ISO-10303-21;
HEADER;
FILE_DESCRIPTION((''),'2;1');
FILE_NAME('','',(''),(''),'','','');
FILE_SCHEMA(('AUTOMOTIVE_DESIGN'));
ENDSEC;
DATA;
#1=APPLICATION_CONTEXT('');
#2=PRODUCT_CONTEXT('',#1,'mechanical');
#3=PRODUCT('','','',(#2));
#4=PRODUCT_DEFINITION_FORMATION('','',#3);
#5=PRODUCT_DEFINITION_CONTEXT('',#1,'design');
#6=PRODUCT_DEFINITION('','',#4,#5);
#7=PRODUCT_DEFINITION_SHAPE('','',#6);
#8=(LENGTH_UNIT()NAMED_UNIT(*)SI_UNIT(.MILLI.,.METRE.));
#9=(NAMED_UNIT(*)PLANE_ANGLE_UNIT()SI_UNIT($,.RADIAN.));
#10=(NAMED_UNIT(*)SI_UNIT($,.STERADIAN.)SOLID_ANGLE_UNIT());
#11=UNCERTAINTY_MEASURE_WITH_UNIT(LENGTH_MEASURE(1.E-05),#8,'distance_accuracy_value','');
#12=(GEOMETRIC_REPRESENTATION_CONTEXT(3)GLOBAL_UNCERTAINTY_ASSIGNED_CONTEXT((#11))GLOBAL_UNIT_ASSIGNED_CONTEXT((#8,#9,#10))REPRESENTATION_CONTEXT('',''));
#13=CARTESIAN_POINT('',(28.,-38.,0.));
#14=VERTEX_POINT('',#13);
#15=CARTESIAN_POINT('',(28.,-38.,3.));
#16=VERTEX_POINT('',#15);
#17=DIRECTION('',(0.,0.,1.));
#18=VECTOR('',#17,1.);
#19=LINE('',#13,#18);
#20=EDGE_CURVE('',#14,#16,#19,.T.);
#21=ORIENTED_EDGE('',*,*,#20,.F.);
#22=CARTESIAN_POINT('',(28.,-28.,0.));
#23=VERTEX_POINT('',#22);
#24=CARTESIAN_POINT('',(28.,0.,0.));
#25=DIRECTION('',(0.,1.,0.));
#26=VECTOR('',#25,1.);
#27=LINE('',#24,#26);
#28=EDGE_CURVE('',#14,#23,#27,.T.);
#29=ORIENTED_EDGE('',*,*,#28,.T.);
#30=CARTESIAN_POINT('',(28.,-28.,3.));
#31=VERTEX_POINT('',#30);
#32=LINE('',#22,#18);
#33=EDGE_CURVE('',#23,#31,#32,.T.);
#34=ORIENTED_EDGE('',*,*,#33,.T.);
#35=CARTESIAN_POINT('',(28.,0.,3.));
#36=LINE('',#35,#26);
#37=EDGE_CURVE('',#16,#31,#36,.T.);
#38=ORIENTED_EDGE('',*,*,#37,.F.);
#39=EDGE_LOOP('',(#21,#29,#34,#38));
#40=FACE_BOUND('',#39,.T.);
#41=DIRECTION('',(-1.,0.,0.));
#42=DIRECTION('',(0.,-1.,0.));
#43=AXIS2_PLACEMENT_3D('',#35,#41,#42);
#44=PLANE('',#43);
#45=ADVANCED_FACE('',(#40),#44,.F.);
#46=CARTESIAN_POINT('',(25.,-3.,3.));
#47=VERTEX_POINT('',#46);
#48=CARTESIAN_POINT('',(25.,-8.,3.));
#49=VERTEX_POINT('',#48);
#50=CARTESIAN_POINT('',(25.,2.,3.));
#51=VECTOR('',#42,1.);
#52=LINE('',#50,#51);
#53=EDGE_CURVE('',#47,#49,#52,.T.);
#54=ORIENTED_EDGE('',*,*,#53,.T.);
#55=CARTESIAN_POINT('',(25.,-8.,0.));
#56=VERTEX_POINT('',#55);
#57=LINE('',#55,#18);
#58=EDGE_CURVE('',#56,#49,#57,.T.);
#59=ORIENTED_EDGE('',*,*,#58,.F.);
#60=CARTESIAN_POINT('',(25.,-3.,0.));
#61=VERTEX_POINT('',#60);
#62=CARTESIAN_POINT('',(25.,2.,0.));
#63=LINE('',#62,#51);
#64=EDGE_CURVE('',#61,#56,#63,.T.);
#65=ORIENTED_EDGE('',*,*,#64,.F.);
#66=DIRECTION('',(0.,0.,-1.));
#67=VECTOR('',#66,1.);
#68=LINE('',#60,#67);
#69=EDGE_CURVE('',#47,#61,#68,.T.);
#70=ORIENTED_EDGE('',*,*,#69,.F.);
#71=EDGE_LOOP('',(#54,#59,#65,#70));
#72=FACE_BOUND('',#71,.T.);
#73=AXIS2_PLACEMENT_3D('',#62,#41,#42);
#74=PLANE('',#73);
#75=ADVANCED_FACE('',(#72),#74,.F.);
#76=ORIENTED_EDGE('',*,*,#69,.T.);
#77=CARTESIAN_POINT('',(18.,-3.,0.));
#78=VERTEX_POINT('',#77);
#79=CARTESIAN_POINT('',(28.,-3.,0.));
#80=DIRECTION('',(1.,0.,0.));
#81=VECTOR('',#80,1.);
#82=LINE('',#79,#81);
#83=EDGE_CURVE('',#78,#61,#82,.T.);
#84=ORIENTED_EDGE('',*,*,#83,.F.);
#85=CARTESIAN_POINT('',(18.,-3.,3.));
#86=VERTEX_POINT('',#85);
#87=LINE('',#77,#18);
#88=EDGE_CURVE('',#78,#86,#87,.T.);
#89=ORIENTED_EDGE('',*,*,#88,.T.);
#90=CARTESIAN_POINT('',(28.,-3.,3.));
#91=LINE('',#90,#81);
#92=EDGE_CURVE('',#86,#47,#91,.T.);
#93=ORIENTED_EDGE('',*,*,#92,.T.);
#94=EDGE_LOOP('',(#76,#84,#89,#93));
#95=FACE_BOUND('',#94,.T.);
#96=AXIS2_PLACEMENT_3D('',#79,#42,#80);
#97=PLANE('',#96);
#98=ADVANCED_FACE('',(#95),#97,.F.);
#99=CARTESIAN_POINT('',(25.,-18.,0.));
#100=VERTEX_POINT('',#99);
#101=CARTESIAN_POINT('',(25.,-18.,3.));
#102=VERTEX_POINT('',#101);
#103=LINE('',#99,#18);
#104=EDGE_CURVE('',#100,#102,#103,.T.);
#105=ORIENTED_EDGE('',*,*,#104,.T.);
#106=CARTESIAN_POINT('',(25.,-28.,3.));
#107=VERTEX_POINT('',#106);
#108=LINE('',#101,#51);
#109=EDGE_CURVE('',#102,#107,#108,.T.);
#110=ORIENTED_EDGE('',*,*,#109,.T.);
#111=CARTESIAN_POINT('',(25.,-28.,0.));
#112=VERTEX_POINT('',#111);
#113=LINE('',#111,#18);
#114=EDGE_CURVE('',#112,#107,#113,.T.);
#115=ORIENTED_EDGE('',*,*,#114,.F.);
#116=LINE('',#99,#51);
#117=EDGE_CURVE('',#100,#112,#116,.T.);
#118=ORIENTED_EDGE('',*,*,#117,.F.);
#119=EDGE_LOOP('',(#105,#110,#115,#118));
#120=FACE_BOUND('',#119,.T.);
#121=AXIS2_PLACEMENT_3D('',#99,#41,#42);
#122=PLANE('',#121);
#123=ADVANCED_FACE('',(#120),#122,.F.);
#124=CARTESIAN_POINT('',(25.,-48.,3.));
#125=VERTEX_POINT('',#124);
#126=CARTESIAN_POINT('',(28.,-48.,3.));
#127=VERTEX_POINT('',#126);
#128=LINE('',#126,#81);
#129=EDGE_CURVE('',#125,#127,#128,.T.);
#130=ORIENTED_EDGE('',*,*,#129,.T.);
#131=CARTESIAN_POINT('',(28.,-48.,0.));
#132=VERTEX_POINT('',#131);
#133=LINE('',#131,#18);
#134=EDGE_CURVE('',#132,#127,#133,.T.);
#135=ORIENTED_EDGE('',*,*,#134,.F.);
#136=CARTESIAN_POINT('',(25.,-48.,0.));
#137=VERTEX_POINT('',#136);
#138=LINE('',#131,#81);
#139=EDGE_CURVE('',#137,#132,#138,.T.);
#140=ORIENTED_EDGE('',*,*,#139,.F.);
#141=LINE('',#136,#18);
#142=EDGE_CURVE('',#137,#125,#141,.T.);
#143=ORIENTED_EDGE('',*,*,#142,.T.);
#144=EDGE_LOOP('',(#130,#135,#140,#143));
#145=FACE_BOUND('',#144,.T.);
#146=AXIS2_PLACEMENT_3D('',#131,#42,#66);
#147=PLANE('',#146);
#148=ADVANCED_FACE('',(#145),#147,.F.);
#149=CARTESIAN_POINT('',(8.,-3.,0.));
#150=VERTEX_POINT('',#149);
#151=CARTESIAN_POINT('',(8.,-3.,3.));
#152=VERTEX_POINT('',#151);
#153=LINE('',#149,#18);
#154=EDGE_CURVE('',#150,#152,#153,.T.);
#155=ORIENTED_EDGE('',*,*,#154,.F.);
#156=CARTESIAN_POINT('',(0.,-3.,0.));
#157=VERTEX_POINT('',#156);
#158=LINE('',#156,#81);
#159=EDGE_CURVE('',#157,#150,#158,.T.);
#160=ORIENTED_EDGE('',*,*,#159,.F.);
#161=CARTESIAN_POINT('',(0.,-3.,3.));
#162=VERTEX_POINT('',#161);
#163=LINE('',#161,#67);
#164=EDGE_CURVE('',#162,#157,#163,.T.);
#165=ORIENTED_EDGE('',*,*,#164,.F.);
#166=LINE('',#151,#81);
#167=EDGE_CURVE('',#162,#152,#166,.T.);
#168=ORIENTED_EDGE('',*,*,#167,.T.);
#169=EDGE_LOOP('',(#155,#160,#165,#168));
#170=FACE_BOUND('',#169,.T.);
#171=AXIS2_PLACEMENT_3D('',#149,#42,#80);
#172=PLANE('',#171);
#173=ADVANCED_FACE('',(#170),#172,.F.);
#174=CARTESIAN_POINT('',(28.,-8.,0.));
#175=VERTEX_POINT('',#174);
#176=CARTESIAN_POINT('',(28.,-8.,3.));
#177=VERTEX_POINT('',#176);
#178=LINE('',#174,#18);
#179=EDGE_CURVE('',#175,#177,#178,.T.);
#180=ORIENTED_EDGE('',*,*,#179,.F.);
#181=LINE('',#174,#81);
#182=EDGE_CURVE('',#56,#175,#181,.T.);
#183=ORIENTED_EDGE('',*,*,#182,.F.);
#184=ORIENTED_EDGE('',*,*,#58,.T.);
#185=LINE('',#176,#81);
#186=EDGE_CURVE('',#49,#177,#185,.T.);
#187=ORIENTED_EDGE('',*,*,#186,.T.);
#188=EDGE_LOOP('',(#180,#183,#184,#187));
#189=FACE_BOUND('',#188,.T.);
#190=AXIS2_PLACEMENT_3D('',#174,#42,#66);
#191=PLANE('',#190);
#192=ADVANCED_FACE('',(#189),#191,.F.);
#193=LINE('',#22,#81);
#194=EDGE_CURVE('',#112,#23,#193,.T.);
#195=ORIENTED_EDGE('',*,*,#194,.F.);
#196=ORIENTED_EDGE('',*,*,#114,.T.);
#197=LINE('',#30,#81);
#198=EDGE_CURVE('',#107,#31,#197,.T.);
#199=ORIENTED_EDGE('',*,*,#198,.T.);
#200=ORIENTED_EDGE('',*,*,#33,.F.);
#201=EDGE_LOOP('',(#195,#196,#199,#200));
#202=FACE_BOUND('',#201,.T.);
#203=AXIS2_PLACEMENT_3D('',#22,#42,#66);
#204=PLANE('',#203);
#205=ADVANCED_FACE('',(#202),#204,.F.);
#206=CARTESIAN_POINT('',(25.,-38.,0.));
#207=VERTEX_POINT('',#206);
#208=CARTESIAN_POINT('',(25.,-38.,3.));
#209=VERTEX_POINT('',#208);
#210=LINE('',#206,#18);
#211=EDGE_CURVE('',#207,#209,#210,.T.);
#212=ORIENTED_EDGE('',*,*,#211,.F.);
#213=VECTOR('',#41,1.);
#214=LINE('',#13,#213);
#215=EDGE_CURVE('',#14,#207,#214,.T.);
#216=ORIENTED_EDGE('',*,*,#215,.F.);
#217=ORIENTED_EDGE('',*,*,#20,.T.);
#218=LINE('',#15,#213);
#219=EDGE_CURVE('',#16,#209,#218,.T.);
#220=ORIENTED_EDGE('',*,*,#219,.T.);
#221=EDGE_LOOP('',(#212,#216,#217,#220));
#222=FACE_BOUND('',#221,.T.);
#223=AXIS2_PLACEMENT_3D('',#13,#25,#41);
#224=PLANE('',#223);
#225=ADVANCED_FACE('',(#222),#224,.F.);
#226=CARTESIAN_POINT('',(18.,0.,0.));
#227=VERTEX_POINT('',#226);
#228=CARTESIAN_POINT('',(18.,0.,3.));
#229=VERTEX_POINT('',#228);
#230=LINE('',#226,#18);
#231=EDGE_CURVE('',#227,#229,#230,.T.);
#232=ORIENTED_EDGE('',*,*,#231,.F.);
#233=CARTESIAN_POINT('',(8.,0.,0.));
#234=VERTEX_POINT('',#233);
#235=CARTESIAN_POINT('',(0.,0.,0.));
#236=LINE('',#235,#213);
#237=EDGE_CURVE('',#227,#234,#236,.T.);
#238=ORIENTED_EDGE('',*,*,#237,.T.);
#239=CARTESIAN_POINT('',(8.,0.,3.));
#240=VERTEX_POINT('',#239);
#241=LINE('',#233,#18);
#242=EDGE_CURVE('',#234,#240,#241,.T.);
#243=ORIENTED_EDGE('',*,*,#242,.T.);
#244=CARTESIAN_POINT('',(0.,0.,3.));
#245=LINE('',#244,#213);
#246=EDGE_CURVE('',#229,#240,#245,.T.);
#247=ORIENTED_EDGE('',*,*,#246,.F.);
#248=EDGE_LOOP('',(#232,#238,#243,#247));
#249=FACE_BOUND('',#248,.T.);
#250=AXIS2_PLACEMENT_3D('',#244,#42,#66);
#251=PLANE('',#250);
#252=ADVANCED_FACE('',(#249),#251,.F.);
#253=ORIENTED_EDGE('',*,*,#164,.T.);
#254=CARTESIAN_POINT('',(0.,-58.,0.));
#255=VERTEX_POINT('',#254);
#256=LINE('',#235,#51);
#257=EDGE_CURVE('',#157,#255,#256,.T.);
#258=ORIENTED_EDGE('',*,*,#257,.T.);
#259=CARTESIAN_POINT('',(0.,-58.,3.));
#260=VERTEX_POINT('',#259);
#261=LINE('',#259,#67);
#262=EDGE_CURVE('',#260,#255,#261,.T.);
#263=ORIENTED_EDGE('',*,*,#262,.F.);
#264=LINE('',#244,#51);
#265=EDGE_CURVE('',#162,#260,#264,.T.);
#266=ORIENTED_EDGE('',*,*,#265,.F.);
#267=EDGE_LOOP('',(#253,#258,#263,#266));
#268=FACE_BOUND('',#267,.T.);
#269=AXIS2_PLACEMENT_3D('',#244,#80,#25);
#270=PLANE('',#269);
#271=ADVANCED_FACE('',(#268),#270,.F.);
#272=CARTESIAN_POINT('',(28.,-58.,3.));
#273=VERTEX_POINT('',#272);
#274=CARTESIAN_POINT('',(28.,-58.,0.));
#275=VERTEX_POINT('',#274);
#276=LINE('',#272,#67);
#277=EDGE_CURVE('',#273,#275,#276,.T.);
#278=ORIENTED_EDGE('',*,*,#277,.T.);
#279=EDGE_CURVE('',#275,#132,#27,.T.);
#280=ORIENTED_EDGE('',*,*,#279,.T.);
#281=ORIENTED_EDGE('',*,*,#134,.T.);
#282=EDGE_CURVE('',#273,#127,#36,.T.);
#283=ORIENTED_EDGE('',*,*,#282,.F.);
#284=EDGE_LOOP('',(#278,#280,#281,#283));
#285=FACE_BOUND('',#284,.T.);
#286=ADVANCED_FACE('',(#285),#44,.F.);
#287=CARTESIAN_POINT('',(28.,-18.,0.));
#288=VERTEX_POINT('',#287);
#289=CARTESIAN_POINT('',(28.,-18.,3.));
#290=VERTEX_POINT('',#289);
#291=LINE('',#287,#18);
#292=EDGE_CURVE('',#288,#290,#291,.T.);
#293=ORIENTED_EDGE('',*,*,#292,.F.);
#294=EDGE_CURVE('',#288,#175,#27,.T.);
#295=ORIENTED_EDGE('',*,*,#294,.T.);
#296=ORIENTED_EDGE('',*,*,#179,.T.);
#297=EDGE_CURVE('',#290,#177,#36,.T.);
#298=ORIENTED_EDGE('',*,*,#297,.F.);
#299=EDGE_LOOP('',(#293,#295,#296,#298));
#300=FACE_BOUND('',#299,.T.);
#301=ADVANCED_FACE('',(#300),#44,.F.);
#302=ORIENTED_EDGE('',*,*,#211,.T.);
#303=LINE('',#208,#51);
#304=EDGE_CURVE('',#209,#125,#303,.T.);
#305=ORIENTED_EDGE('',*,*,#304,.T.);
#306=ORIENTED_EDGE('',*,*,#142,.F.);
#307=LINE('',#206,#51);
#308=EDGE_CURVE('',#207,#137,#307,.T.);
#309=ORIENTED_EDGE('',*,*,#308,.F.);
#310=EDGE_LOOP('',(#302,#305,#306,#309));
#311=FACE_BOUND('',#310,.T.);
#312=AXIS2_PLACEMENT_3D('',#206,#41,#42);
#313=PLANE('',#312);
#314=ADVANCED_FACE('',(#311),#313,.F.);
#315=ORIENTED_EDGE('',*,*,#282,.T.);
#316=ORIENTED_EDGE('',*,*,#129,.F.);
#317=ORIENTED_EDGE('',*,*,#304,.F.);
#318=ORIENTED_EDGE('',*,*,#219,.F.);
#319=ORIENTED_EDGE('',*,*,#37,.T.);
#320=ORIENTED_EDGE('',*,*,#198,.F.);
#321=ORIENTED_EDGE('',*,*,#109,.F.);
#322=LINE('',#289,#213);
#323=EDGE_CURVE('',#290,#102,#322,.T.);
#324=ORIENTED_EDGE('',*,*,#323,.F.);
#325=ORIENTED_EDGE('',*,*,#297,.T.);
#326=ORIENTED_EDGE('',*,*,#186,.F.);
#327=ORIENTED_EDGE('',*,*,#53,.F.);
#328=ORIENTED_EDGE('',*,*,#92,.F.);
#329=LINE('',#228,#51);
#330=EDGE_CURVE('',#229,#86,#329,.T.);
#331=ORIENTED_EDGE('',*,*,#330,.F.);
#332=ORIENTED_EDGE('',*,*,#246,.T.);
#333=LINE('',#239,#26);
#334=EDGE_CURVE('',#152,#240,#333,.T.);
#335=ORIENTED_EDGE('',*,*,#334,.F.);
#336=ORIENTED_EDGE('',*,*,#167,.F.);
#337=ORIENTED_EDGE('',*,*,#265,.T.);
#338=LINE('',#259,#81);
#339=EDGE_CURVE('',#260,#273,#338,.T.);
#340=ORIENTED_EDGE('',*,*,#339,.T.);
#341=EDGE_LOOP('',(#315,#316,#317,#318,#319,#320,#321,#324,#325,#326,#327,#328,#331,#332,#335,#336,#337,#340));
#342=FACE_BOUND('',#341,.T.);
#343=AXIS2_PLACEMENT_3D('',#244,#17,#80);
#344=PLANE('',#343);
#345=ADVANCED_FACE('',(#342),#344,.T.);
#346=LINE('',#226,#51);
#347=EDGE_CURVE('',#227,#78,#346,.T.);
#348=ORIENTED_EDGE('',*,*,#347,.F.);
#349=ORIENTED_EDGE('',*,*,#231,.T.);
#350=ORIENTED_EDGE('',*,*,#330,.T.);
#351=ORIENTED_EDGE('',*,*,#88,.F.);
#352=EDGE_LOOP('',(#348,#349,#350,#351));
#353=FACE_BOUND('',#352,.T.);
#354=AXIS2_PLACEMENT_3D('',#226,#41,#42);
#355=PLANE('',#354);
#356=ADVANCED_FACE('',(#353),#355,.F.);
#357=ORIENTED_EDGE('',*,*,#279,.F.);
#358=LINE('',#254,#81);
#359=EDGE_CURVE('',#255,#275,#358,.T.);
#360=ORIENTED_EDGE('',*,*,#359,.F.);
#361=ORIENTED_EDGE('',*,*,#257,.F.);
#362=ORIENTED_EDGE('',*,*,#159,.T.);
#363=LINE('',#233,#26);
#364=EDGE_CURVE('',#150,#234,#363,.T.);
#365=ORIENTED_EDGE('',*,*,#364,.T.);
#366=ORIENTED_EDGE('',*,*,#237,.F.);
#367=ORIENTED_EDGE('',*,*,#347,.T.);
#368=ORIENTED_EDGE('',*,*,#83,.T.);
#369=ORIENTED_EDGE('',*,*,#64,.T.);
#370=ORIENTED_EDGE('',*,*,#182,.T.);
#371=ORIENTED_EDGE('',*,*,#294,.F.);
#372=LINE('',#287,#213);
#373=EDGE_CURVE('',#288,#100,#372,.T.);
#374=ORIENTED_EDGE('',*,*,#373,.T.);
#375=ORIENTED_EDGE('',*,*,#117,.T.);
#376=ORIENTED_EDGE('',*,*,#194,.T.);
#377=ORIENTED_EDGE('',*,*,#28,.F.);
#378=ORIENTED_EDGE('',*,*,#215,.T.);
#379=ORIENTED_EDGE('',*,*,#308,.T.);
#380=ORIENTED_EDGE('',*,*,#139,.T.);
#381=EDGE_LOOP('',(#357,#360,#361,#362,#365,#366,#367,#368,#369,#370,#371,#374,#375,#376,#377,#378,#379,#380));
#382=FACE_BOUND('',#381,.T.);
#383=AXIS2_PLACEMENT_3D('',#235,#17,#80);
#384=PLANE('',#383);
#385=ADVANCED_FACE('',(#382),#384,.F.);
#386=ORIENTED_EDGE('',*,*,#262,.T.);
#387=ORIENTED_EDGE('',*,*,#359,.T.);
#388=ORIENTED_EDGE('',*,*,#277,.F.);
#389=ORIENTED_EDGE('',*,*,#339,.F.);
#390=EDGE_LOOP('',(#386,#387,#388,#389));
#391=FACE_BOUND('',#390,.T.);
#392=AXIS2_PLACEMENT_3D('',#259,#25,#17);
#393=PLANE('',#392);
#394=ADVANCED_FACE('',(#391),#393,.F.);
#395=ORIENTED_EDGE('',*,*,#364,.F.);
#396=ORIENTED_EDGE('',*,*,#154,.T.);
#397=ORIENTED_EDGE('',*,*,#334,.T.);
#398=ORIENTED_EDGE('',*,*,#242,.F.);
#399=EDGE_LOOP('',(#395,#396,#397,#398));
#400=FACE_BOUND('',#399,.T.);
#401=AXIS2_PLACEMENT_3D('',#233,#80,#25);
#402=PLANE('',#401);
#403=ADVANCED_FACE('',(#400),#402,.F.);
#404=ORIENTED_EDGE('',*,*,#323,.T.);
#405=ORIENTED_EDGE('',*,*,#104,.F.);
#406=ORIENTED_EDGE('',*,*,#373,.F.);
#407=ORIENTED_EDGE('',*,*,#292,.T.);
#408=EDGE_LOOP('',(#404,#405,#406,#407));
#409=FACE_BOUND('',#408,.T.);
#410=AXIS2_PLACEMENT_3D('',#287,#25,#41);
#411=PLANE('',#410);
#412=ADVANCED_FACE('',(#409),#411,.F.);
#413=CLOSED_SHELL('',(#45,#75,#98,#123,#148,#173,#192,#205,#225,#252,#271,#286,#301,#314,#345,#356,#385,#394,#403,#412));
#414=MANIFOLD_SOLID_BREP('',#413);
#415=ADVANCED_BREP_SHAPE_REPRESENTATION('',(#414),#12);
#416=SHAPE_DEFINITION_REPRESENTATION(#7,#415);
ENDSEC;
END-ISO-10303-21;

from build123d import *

# Parameters (mm, degrees)
ESQUISSE1_W                = 28
ESQUISSE1_H                = 58
BOSS_EXTRU_1_DEPTH         = 3
ESQUISSE2_W                = 10
ESQUISSE2_H                = 3
ENL_V_MAT_EXTRU_1_DEPTH    = 3
R_P_TITION_LIN_AIRE1_COUNT = 2
R_P_TITION_LIN_AIRE1_PITCH = 20
ESQUISSE3_W                = 3
ESQUISSE3_H                = 10
ENL_V_MAT_EXTRU_2_DEPTH    = 3
R_P_TITION_LIN_AIRE2_COUNT = 3
R_P_TITION_LIN_AIRE2_PITCH = 20


with BuildPart() as part:
    # Esquisse1 → Boss.-Extru.1 (new body)
    with BuildSketch(Plane.XY):
        with Locations((14, -29)):
            Rectangle(ESQUISSE1_W, ESQUISSE1_H)
    extrude(amount=BOSS_EXTRU_1_DEPTH)

    # Esquisse2 → Enlèv. mat.-Extru.1 (cut)
    with BuildSketch(Plane.XY.offset(3)):
        with Locations((23, -1.5)):
            Rectangle(ESQUISSE2_W, ESQUISSE2_H)
    enl_v_mat_extru_1 = extrude(amount=-ENL_V_MAT_EXTRU_1_DEPTH, mode=Mode.SUBTRACT)

    # Répétition linéaire1: Enlèv. mat.-Extru.1 ×2
    with Locations(*[(-i * R_P_TITION_LIN_AIRE1_PITCH, 0, 0) for i in range(1, R_P_TITION_LIN_AIRE1_COUNT)]):
        add(enl_v_mat_extru_1, mode=Mode.SUBTRACT)

    # Esquisse3 → Enlèv. mat.-Extru.2 (cut)
    with BuildSketch(Plane.XY.offset(3)):
        with Locations((26.5, -43)):
            Rectangle(ESQUISSE3_W, ESQUISSE3_H)
    enl_v_mat_extru_2 = extrude(amount=-ENL_V_MAT_EXTRU_2_DEPTH, mode=Mode.SUBTRACT)

    # Répétition linéaire2: Enlèv. mat.-Extru.2 ×3
    with Locations(*[(0, i * R_P_TITION_LIN_AIRE2_PITCH, 0) for i in range(1, R_P_TITION_LIN_AIRE2_COUNT)]):
        add(enl_v_mat_extru_2, mode=Mode.SUBTRACT)


solid = part.part
